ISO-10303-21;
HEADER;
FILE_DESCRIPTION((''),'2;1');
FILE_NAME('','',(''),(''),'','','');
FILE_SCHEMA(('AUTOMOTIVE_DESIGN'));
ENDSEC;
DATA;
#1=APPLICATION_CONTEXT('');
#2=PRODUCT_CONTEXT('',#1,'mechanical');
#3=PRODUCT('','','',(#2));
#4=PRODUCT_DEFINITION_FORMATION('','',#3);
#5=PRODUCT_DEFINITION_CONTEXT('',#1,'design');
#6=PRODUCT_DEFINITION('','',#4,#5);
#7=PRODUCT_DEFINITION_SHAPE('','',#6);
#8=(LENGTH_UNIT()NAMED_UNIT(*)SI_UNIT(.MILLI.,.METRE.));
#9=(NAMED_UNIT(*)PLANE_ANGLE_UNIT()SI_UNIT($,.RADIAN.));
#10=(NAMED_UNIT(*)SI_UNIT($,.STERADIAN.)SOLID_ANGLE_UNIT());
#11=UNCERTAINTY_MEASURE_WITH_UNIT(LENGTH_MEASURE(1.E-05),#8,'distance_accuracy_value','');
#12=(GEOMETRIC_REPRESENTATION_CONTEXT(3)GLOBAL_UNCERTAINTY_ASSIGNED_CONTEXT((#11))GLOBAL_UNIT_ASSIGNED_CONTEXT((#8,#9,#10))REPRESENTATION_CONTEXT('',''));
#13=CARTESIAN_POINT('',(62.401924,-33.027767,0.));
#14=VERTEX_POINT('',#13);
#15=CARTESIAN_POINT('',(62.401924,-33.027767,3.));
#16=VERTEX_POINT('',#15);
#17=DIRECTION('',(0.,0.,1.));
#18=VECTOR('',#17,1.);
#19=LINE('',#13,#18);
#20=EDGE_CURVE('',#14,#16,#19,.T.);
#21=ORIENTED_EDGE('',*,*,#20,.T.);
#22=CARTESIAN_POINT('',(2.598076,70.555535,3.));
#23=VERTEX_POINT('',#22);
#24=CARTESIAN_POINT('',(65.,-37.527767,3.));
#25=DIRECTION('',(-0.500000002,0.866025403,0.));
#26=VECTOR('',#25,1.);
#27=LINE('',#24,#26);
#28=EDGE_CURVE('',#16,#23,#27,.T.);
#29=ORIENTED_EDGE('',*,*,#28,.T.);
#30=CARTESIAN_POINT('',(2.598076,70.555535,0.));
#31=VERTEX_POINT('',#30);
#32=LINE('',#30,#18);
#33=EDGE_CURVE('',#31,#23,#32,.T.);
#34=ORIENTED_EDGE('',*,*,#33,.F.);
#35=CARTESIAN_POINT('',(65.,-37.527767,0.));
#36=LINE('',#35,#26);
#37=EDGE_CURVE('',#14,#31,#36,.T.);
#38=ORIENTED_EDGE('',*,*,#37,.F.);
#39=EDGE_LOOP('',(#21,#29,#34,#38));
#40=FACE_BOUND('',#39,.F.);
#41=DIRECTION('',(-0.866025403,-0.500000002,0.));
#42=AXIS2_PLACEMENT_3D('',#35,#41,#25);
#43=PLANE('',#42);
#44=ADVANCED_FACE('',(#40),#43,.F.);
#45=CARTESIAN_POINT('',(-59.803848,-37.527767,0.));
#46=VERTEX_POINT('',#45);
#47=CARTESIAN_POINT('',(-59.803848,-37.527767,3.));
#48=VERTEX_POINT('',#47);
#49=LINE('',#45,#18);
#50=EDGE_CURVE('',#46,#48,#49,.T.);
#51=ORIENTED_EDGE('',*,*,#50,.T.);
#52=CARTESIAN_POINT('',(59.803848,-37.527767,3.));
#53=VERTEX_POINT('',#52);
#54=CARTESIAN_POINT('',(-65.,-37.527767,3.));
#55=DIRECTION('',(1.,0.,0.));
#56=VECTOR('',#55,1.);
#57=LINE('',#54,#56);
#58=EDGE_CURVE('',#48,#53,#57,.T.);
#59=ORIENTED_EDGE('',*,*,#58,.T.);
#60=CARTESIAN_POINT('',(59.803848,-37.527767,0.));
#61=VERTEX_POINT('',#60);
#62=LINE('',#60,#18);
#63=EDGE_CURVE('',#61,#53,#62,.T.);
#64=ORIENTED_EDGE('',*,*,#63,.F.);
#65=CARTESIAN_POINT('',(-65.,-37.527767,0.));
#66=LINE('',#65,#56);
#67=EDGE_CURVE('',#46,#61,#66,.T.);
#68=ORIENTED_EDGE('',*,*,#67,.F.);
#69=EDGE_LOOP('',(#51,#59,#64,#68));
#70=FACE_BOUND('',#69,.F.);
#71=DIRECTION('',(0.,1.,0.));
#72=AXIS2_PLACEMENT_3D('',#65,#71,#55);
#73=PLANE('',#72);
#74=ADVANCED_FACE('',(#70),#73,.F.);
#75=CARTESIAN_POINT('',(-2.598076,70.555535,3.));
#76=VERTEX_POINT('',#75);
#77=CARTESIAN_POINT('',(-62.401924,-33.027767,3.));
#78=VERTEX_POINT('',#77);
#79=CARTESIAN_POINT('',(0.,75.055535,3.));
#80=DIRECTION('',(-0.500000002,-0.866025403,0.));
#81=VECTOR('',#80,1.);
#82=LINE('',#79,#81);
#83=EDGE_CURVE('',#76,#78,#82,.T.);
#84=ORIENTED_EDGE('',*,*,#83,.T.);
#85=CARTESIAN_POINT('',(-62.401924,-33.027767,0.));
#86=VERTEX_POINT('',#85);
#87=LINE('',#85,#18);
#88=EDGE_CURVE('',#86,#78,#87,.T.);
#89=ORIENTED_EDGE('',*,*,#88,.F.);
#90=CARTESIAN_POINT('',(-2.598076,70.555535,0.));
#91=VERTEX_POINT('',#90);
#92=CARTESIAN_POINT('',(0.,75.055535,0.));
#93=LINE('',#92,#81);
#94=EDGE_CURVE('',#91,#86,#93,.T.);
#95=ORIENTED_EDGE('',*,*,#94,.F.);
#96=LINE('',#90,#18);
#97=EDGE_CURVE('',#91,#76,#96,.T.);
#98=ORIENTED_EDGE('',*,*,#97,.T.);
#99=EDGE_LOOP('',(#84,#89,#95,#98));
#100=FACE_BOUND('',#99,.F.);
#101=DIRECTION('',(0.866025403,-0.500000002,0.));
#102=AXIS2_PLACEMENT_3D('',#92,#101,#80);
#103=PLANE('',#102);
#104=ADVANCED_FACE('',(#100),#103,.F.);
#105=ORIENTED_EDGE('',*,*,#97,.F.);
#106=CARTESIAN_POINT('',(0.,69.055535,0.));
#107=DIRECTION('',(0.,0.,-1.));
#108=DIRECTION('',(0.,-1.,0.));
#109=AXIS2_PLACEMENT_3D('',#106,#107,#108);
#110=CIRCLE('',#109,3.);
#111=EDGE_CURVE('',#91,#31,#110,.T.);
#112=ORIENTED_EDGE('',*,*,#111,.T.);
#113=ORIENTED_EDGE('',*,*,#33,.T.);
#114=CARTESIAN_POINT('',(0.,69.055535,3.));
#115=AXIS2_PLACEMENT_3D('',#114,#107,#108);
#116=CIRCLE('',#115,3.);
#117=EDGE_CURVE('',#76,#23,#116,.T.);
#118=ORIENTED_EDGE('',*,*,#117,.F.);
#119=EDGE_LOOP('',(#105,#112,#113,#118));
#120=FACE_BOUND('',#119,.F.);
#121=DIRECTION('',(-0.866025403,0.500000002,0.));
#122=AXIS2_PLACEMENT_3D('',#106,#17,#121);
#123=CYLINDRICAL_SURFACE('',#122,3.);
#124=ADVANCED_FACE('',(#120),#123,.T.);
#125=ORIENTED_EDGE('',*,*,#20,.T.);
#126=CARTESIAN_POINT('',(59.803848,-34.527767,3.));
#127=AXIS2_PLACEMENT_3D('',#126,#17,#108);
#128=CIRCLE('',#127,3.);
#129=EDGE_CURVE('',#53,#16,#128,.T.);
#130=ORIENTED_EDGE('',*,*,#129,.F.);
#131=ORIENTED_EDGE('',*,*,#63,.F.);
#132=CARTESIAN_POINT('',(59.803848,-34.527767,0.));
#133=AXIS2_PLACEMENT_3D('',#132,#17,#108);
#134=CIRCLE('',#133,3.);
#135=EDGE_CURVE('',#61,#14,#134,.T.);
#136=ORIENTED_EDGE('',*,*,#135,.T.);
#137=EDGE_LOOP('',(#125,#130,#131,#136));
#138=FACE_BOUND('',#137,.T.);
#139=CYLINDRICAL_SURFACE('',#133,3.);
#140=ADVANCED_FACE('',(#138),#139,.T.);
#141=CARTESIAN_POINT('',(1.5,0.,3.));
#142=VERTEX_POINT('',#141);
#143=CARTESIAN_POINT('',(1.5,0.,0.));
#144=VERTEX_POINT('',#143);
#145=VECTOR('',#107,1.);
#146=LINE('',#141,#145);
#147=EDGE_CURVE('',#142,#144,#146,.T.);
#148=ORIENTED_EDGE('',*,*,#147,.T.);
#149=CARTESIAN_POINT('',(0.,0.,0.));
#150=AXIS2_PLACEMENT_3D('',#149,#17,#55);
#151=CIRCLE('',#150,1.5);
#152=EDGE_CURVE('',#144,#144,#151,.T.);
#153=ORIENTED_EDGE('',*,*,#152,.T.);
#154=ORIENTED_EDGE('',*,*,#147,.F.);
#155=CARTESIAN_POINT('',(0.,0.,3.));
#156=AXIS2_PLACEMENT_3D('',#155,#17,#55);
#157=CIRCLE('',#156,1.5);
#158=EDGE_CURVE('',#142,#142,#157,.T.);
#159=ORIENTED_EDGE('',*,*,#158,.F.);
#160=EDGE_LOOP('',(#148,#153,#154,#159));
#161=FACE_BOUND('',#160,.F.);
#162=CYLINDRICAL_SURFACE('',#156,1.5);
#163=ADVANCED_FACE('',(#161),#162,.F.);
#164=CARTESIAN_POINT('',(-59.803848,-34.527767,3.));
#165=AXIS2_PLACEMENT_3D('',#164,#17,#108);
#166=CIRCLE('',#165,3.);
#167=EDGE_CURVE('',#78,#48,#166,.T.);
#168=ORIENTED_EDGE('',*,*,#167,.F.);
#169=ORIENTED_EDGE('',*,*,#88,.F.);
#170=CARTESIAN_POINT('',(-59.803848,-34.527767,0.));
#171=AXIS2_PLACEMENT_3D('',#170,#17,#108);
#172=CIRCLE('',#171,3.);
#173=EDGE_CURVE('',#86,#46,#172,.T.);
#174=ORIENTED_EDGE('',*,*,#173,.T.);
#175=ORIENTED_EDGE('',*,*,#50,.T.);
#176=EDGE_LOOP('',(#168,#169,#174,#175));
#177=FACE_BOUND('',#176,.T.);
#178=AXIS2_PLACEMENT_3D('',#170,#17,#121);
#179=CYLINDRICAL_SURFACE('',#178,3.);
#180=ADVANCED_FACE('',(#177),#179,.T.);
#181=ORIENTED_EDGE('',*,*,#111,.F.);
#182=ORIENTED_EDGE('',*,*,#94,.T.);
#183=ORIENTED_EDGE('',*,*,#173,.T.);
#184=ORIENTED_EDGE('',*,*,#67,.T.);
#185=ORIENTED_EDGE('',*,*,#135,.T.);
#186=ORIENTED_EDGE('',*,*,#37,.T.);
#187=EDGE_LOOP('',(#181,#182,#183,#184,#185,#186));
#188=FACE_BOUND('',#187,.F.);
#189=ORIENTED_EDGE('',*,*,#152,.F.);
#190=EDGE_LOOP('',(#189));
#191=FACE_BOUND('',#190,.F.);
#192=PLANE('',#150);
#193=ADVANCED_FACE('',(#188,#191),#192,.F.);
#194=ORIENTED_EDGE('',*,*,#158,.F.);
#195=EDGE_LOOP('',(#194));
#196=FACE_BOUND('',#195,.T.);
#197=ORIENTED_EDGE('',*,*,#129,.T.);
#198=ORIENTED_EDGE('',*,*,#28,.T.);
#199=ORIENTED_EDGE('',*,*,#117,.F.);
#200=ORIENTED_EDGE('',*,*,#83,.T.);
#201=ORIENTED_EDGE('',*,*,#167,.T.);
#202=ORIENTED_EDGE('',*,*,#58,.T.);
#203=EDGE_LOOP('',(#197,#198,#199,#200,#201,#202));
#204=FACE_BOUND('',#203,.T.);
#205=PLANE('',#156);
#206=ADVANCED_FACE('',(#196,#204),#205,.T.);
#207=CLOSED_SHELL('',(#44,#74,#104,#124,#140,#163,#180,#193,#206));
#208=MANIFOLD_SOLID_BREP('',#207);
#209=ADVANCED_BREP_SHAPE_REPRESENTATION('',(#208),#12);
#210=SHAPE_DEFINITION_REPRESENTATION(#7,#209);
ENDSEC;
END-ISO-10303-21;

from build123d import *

# Parameters (mm, degrees)
F1_DEPTH = 3
F2_R     = 3
F3_R     = 1.5
F4_DEPTH = 3


with BuildPart() as f1:
    # F0 (on Top) → F1 (new body)
    with BuildSketch(Plane.XY):
        Polygon((0, 75.055535), (-65, -37.527767), (65, -37.527767), align=None)
    extrude(amount=F1_DEPTH)

    # F2
    f2_edges = [f1.edges().sort_by_distance(p)[0] for p in [
        (-65, -37.527767, 1.5),
        (65, -37.527767, 1.5),
        (0, 75.055535, 1.5),
    ]]
    fillet(f2_edges, radius=F2_R)

    # F3 (on face) → F4 (cut, through all)
    with BuildSketch(Plane.XY.offset(3)):
        Circle(F3_R)
    extrude(amount=-F4_DEPTH, mode=Mode.SUBTRACT)


solid = f1.part
